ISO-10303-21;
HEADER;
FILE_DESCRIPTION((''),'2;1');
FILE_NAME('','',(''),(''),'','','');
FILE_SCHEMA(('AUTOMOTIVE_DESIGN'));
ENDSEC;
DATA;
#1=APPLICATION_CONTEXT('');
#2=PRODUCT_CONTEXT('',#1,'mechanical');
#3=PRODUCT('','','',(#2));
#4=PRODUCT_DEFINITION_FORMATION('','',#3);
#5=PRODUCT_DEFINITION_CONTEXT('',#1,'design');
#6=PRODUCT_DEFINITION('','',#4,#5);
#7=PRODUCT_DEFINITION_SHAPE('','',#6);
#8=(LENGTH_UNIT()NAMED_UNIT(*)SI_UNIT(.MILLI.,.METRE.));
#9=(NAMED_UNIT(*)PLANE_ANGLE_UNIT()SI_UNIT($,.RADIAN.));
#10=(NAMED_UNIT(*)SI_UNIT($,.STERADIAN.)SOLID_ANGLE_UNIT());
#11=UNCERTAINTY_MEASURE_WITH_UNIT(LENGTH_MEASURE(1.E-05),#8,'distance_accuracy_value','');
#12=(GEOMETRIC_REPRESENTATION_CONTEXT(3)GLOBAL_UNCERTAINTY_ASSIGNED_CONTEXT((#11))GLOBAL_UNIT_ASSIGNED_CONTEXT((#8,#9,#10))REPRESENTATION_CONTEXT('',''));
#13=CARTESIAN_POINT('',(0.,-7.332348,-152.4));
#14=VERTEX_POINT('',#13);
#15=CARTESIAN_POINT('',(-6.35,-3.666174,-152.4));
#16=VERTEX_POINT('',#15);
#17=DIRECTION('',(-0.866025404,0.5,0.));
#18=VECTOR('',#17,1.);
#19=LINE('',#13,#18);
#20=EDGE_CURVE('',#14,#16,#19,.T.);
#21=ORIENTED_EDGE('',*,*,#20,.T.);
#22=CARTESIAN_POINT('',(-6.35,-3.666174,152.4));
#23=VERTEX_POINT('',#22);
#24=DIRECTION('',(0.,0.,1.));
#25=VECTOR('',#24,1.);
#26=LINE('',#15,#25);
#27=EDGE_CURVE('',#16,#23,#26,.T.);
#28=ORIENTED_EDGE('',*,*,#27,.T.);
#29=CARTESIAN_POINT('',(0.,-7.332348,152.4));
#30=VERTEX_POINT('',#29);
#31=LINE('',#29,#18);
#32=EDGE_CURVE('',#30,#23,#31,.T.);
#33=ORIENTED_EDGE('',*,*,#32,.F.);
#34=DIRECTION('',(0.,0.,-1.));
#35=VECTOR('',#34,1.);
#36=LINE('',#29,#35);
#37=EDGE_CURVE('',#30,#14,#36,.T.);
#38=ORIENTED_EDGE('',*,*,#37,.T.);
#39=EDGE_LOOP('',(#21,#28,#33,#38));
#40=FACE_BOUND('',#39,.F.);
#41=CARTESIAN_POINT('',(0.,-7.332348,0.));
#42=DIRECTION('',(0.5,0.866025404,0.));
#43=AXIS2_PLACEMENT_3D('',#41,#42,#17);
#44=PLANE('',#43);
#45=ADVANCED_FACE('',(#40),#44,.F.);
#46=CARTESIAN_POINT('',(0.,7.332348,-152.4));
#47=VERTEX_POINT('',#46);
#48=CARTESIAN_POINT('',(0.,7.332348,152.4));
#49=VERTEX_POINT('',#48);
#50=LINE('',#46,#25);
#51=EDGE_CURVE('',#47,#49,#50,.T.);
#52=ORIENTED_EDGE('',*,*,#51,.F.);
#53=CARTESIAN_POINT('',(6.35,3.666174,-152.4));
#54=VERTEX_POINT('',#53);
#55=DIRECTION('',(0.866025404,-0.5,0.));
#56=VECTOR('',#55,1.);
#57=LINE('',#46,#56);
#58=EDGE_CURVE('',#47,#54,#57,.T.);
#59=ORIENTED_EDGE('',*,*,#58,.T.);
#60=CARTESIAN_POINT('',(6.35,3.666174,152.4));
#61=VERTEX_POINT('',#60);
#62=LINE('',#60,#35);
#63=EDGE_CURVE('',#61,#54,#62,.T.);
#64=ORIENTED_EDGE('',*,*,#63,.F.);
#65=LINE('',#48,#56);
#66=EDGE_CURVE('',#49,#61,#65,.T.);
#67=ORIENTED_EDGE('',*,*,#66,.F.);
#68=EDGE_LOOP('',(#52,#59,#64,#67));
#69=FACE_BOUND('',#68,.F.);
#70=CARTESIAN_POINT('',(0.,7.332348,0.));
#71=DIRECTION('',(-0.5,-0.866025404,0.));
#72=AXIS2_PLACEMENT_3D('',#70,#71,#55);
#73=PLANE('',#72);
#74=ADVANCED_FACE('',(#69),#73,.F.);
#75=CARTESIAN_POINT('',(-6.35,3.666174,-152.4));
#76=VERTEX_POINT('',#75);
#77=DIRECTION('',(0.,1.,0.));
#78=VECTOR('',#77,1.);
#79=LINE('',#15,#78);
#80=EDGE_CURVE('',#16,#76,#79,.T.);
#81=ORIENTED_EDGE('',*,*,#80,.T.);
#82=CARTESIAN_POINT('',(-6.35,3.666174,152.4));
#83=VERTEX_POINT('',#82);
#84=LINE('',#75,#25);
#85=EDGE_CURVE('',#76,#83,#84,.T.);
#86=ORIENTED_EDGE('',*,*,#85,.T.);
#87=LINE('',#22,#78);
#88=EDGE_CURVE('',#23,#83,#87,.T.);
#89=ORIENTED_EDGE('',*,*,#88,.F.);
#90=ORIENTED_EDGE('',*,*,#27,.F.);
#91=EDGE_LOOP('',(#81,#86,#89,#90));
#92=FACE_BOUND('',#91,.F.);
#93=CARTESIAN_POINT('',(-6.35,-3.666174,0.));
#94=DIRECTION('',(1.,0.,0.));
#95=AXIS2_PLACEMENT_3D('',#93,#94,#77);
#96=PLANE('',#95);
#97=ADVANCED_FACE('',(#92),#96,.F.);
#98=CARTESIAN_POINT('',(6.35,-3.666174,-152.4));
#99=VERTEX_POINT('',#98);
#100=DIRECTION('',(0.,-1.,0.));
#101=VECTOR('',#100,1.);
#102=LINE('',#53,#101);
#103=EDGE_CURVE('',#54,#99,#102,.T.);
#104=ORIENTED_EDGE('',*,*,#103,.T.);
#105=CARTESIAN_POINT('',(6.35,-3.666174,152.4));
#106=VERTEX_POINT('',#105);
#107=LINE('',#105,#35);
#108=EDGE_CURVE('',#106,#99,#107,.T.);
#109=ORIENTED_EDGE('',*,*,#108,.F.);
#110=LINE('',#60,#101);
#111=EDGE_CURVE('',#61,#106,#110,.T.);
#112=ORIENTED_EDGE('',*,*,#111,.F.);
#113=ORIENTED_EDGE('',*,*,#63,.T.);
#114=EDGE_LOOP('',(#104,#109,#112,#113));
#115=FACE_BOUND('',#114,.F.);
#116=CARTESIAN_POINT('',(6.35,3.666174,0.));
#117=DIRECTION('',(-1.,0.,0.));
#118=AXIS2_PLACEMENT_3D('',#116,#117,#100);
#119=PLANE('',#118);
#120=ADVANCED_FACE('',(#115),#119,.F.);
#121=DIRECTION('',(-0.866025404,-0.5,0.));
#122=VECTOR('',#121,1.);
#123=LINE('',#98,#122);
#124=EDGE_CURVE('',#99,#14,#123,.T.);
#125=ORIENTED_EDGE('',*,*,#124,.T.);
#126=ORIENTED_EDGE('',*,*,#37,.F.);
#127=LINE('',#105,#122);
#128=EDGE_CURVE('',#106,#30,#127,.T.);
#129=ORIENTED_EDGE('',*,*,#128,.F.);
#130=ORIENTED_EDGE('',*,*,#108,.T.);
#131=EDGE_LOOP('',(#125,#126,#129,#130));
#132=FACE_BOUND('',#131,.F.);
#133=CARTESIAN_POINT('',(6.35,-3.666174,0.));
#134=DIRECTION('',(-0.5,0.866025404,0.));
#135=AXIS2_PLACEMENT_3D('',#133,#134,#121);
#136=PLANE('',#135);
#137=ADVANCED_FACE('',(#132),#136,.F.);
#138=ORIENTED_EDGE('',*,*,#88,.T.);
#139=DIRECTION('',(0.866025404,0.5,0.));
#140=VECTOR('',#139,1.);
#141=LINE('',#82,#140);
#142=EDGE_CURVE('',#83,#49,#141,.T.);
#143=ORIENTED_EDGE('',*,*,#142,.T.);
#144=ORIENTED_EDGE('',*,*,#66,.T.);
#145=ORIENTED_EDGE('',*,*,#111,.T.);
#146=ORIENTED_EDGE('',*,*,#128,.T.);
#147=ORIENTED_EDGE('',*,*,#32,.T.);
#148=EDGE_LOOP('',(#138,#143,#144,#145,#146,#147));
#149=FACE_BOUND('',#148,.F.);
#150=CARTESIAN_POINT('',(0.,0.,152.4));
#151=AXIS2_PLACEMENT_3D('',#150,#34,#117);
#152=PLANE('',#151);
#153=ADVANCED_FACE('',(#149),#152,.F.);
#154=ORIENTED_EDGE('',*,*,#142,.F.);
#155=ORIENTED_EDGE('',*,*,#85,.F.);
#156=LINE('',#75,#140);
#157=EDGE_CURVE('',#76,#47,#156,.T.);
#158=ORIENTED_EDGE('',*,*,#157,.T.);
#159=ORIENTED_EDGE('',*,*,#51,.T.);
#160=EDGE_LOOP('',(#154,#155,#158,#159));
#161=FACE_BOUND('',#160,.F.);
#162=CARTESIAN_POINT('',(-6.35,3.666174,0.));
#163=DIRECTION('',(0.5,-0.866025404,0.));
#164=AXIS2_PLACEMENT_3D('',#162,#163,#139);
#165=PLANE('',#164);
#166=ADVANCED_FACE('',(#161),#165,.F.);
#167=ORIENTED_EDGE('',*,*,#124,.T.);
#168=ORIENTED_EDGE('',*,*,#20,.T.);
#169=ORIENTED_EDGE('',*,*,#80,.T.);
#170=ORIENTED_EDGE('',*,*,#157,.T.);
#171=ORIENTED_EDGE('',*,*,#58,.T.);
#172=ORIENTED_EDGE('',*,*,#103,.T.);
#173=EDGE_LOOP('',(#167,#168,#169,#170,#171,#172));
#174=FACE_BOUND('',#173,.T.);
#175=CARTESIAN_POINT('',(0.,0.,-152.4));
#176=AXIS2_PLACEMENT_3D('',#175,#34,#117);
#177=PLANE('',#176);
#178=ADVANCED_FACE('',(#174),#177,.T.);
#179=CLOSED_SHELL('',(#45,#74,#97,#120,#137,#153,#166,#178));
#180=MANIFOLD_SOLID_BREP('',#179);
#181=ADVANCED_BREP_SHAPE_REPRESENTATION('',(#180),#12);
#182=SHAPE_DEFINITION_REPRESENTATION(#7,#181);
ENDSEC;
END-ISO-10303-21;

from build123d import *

# Parameters (mm, degrees)
BOSS_EXTRUDE1_DEPTH = 152.4


with BuildPart() as part:
    # Sketch3 → Boss-Extrude1 (new, symmetric)
    with BuildSketch(Plane.XY):
        Polygon((0, 7.332348419), (6.35, 3.666174209), (6.35, -3.666174209), (0, -7.332348419), (-6.35, -3.666174209), (-6.35, 3.666174209), align=None)
    extrude(amount=BOSS_EXTRUDE1_DEPTH, both=True)


solid = part.part
